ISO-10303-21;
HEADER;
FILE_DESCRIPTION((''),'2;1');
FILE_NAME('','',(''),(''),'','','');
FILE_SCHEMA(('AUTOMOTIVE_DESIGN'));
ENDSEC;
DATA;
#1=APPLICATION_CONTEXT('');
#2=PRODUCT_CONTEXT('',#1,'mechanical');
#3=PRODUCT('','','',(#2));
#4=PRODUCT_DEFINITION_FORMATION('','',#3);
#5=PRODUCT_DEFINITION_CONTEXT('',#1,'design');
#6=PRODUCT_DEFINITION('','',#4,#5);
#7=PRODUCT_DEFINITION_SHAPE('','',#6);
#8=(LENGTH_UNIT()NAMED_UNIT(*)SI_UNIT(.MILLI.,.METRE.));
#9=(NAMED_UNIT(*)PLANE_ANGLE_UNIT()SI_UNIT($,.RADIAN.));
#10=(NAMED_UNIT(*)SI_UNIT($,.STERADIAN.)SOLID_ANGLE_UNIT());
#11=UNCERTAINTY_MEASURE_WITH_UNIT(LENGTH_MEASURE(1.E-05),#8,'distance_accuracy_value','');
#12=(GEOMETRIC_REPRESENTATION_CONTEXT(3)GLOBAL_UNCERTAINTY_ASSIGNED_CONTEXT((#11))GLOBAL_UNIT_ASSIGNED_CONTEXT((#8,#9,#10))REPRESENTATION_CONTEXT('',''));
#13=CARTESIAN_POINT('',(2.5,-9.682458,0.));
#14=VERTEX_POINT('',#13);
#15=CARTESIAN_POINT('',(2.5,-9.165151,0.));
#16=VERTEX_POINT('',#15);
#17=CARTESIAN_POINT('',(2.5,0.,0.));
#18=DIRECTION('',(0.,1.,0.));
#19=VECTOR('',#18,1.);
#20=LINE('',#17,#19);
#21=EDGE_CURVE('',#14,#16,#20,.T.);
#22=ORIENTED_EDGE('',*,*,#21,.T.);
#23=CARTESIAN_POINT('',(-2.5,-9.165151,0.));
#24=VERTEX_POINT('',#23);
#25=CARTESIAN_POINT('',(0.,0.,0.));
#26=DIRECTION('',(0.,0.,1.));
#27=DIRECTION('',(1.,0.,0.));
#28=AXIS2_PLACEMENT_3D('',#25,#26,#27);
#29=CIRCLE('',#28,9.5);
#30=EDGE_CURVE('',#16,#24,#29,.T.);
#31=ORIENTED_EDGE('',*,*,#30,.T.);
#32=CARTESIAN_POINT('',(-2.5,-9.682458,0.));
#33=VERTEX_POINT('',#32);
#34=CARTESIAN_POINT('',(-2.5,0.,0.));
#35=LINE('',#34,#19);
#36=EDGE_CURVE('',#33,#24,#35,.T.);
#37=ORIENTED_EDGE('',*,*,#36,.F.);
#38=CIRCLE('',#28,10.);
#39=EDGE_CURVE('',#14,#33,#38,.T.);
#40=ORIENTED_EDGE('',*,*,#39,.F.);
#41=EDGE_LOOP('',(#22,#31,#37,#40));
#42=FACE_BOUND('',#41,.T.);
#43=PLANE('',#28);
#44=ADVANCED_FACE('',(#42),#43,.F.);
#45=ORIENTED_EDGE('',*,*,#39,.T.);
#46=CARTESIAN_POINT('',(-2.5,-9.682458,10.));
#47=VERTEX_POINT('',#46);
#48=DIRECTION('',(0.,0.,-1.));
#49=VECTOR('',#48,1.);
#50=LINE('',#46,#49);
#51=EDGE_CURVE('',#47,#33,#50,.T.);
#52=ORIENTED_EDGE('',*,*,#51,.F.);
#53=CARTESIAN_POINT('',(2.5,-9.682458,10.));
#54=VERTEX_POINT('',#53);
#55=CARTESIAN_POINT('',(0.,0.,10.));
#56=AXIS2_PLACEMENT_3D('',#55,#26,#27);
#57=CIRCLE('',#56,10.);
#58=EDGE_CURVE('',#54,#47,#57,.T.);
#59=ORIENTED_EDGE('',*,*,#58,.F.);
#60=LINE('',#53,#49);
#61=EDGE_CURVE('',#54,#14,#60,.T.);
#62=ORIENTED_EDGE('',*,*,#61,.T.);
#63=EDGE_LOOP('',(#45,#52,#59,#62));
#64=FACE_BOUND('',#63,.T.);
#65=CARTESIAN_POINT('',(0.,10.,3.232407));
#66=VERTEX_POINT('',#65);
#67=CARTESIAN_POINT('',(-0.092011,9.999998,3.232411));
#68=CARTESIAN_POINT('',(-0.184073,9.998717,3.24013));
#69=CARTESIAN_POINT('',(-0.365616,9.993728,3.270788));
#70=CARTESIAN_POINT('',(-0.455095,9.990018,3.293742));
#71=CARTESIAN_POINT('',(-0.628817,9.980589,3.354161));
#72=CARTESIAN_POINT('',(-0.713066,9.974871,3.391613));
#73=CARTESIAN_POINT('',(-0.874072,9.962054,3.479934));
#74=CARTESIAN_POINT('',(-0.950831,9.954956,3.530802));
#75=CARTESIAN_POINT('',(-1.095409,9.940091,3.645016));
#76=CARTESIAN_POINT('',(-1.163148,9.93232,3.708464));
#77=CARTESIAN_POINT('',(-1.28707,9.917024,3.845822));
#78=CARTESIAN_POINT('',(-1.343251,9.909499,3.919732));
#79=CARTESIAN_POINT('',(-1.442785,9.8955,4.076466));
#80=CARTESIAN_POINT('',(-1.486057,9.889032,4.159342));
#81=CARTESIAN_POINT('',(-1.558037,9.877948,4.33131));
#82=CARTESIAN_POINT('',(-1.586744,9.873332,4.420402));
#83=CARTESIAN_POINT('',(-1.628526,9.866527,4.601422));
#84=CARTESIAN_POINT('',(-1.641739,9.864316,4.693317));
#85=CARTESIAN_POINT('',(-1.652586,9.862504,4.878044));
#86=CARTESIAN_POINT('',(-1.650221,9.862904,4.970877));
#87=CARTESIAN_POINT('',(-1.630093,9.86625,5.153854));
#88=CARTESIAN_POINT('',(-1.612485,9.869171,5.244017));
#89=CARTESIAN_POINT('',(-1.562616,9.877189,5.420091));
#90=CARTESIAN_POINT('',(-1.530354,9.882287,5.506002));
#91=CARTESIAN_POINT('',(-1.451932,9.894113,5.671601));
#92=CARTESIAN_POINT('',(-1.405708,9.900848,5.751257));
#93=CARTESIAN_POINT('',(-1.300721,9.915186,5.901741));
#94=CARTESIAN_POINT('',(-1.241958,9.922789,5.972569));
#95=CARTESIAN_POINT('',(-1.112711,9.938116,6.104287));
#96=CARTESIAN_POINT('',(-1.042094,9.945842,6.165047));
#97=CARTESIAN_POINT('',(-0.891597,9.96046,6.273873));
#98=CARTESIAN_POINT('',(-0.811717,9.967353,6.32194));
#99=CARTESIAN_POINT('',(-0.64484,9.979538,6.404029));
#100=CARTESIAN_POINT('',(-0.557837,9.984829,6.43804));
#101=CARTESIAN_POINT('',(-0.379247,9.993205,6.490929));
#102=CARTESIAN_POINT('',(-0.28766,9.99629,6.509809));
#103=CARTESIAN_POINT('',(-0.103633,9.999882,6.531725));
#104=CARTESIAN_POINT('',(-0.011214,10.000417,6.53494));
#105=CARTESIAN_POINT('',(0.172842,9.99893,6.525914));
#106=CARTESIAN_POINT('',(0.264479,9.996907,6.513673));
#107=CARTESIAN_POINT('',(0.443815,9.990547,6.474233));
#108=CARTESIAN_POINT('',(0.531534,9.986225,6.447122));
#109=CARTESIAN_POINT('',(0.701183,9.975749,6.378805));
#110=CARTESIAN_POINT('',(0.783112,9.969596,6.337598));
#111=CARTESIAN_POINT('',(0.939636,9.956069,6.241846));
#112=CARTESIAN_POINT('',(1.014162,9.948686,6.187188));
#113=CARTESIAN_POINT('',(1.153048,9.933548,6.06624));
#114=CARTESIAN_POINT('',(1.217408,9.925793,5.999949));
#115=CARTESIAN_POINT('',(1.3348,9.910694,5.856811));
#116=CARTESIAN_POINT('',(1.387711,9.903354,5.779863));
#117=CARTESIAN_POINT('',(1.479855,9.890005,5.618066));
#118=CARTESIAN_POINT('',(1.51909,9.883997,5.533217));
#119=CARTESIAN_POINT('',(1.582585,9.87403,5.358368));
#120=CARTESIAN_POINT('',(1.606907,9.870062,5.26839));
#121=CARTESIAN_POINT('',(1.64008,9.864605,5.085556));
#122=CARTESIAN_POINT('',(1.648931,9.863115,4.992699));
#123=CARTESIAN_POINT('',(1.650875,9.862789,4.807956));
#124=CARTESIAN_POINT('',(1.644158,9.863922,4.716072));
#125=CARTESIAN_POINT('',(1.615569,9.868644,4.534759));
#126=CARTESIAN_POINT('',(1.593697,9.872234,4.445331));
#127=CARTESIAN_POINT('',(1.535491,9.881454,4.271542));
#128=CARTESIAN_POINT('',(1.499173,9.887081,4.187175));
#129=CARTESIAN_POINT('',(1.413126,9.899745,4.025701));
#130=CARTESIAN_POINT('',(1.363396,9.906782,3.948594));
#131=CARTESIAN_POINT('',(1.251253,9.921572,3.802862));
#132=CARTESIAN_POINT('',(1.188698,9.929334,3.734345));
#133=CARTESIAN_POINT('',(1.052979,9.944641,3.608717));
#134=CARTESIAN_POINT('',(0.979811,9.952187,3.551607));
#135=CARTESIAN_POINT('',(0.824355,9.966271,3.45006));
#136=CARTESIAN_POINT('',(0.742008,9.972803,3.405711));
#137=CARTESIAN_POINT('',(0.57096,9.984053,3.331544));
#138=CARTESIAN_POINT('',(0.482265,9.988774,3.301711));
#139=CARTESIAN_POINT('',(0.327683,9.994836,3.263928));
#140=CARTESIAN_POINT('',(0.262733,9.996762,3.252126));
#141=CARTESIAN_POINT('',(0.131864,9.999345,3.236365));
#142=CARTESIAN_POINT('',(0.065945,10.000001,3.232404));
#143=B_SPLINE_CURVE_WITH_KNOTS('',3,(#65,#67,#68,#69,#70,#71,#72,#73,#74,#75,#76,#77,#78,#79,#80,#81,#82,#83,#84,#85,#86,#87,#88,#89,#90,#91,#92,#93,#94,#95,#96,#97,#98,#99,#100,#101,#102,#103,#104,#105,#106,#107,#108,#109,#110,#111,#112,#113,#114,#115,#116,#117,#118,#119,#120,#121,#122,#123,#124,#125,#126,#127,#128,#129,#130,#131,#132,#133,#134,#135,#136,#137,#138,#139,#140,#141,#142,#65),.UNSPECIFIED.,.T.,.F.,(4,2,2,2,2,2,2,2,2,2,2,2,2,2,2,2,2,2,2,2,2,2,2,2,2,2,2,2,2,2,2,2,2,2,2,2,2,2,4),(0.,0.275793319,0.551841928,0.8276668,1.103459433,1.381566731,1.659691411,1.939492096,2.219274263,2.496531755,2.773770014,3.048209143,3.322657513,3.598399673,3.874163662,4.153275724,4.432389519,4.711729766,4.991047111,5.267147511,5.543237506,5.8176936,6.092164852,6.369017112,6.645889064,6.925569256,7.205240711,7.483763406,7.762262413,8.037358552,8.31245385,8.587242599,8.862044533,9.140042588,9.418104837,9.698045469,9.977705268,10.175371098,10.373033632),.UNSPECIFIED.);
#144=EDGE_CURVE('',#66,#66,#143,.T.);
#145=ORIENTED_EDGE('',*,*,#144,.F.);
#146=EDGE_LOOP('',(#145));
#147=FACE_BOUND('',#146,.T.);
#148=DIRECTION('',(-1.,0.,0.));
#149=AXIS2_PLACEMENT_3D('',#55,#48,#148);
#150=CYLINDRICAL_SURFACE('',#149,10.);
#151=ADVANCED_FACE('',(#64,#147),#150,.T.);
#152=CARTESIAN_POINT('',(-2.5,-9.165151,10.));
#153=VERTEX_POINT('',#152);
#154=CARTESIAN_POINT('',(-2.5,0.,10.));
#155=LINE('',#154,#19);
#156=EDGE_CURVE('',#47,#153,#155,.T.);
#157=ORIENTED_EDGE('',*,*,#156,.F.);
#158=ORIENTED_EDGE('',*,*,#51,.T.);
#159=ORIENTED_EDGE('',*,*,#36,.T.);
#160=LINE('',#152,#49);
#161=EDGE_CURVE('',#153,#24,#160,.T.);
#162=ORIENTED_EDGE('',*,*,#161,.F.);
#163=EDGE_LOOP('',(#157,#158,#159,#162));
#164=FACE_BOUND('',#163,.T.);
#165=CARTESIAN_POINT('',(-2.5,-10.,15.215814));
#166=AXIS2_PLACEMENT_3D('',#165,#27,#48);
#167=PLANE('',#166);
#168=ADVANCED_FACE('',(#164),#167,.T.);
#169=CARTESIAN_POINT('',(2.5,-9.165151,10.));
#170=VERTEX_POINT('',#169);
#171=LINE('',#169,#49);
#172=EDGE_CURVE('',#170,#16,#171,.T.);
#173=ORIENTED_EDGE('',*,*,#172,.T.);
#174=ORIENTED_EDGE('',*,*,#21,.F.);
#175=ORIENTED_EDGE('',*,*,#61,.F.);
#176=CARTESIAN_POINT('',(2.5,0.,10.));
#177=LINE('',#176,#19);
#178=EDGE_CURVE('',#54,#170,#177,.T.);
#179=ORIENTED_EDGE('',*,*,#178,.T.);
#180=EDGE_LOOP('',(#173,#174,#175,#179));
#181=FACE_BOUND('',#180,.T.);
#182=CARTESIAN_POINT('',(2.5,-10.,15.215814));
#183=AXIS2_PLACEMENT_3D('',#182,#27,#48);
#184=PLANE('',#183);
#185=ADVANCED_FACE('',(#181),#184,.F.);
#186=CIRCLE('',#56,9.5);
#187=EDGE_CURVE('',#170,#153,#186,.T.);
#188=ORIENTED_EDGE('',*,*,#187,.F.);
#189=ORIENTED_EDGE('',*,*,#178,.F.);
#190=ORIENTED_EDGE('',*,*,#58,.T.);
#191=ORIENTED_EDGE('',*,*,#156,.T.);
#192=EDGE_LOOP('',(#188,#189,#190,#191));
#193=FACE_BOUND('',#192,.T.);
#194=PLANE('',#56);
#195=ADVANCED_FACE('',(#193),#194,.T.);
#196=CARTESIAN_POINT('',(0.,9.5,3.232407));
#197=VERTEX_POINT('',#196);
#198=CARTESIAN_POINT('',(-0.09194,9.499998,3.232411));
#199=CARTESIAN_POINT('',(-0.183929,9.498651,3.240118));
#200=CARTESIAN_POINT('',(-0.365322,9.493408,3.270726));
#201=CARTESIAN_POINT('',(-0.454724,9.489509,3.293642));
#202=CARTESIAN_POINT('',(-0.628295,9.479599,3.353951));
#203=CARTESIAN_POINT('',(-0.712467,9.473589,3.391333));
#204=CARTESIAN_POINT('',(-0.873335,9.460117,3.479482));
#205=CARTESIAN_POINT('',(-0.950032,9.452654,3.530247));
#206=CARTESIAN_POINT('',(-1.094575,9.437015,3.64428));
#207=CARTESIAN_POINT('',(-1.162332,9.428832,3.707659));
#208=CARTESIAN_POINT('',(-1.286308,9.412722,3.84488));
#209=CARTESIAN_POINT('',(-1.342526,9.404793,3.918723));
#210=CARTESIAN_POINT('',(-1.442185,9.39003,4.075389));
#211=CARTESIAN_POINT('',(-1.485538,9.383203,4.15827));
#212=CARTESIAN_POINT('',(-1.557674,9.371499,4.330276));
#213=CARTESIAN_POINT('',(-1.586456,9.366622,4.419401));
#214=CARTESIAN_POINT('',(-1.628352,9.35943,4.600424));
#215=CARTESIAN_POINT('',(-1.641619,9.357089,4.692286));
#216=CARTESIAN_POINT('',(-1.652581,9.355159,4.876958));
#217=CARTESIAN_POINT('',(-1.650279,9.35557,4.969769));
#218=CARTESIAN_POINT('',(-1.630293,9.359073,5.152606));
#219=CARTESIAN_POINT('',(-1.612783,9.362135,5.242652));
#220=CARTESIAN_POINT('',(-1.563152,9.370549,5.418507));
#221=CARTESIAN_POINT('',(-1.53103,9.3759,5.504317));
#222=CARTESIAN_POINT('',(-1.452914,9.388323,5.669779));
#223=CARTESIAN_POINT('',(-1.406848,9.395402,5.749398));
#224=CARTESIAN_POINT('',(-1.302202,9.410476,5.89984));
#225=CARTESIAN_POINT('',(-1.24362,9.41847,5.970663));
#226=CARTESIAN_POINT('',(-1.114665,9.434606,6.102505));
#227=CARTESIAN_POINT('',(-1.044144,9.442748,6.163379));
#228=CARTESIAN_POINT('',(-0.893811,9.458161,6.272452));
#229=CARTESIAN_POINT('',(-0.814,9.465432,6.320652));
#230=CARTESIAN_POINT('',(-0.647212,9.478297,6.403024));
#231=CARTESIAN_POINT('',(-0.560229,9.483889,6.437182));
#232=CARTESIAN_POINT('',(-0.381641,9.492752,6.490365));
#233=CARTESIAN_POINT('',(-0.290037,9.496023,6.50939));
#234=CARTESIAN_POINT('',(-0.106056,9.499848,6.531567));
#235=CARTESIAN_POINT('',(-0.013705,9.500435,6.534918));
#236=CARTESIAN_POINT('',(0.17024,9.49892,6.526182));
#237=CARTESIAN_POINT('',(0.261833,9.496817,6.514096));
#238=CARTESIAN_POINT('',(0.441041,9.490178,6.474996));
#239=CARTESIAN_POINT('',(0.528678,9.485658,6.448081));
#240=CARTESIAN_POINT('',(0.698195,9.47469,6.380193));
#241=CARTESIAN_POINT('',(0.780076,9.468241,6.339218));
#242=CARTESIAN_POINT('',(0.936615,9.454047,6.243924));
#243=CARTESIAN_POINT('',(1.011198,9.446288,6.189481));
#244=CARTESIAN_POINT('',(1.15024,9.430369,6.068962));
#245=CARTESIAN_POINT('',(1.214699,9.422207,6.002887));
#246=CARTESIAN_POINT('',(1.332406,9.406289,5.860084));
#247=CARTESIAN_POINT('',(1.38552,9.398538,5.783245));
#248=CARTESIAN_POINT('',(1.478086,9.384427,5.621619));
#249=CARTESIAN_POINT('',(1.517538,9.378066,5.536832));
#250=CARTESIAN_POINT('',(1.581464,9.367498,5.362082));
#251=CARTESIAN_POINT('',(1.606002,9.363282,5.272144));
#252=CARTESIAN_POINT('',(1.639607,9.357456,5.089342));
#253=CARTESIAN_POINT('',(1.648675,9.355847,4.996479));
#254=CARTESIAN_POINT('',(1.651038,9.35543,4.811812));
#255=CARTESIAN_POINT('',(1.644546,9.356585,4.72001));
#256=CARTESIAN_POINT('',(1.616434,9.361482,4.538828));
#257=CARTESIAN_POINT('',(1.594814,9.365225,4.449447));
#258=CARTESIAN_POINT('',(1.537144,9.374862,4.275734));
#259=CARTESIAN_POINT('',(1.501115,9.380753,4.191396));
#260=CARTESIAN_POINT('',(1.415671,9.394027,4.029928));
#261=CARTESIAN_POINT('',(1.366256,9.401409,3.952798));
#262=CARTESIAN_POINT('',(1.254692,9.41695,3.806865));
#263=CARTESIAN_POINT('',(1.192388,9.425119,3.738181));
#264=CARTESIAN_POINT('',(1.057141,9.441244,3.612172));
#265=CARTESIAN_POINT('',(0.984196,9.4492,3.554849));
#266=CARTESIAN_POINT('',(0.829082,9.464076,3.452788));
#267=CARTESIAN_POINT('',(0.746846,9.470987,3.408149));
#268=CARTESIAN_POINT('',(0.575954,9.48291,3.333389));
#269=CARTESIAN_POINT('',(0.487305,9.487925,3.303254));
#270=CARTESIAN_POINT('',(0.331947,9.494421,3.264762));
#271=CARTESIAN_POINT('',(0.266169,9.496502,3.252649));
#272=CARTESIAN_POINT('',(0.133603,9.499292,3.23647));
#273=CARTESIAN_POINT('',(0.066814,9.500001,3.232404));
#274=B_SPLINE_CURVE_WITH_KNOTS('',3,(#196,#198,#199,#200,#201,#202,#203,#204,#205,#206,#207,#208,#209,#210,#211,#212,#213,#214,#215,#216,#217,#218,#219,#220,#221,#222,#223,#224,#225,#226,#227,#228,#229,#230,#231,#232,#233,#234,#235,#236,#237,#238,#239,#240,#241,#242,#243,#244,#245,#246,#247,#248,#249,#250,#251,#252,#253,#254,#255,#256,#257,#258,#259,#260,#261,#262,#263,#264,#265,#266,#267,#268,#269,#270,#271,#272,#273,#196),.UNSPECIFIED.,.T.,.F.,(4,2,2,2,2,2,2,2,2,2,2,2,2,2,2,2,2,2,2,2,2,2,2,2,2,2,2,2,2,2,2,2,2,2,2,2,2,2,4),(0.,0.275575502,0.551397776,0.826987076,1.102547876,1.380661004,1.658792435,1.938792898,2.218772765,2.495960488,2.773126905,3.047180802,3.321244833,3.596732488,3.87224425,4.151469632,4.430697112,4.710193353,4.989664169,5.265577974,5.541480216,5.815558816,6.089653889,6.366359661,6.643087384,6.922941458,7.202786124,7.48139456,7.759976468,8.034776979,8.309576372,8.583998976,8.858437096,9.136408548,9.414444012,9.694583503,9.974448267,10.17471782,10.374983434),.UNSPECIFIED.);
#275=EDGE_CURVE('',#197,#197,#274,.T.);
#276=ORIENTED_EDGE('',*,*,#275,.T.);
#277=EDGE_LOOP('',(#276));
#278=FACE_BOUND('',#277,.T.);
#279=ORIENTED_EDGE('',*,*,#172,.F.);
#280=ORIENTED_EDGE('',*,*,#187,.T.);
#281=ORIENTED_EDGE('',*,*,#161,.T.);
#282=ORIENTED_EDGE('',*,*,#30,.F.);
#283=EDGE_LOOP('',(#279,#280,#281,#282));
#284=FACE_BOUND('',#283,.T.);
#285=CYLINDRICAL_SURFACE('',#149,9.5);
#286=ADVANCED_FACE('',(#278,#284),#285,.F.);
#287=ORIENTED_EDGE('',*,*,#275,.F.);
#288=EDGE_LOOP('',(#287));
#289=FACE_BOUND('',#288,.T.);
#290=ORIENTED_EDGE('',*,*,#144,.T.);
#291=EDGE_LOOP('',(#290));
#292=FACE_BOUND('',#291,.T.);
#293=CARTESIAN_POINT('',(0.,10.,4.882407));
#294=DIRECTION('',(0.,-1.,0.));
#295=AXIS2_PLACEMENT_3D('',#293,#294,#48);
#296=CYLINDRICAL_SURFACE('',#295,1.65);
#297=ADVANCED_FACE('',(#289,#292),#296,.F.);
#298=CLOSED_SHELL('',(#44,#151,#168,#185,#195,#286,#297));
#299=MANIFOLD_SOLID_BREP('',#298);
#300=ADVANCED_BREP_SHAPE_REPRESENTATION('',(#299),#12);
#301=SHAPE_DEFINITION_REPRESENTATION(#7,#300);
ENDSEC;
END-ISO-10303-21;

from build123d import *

# Parameters (mm, degrees)
SKETCH_1_R          = 10
SKETCH_1_R_2        = 9.5
EXTRUDE_1_DEPTH     = 10
SKETCH_2_R          = 1.65
CUT_EXTRUDE_1_DEPTH = 18.320508076
SKETCH_3_W          = 5
SKETCH_3_H          = 20.666812771
CUT_EXTRUDE_2_DEPTH = 18.320508249


with BuildPart() as part:
    # 草图1 → 凸台-拉伸1 (new body)
    with BuildSketch(Plane.XY):
        Circle(SKETCH_1_R)
        Circle(SKETCH_1_R_2, mode=Mode.SUBTRACT)
    extrude(amount=EXTRUDE_1_DEPTH)

    # 草图2 → 切除-拉伸1 (cut, through all)
    with BuildSketch(Plane(origin=(0, 0, 0), x_dir=(1, 0, 0), z_dir=(0, 1, 0))):
        with Locations(Location((0, -4.882407133, 0), (0, 0, 90))):
            Circle(SKETCH_2_R)
    extrude(amount=CUT_EXTRUDE_1_DEPTH, mode=Mode.SUBTRACT)

    # 草图3 → 切除-拉伸2 (cut, through all)
    with BuildSketch(Plane(origin=(0, 0, 0), x_dir=(1, 0, 0), z_dir=(0, 1, 0))):
        with Locations((0, -4.882407133)):
            Rectangle(SKETCH_3_W, SKETCH_3_H)
    extrude(amount=-CUT_EXTRUDE_2_DEPTH, mode=Mode.SUBTRACT)


solid = part.part
